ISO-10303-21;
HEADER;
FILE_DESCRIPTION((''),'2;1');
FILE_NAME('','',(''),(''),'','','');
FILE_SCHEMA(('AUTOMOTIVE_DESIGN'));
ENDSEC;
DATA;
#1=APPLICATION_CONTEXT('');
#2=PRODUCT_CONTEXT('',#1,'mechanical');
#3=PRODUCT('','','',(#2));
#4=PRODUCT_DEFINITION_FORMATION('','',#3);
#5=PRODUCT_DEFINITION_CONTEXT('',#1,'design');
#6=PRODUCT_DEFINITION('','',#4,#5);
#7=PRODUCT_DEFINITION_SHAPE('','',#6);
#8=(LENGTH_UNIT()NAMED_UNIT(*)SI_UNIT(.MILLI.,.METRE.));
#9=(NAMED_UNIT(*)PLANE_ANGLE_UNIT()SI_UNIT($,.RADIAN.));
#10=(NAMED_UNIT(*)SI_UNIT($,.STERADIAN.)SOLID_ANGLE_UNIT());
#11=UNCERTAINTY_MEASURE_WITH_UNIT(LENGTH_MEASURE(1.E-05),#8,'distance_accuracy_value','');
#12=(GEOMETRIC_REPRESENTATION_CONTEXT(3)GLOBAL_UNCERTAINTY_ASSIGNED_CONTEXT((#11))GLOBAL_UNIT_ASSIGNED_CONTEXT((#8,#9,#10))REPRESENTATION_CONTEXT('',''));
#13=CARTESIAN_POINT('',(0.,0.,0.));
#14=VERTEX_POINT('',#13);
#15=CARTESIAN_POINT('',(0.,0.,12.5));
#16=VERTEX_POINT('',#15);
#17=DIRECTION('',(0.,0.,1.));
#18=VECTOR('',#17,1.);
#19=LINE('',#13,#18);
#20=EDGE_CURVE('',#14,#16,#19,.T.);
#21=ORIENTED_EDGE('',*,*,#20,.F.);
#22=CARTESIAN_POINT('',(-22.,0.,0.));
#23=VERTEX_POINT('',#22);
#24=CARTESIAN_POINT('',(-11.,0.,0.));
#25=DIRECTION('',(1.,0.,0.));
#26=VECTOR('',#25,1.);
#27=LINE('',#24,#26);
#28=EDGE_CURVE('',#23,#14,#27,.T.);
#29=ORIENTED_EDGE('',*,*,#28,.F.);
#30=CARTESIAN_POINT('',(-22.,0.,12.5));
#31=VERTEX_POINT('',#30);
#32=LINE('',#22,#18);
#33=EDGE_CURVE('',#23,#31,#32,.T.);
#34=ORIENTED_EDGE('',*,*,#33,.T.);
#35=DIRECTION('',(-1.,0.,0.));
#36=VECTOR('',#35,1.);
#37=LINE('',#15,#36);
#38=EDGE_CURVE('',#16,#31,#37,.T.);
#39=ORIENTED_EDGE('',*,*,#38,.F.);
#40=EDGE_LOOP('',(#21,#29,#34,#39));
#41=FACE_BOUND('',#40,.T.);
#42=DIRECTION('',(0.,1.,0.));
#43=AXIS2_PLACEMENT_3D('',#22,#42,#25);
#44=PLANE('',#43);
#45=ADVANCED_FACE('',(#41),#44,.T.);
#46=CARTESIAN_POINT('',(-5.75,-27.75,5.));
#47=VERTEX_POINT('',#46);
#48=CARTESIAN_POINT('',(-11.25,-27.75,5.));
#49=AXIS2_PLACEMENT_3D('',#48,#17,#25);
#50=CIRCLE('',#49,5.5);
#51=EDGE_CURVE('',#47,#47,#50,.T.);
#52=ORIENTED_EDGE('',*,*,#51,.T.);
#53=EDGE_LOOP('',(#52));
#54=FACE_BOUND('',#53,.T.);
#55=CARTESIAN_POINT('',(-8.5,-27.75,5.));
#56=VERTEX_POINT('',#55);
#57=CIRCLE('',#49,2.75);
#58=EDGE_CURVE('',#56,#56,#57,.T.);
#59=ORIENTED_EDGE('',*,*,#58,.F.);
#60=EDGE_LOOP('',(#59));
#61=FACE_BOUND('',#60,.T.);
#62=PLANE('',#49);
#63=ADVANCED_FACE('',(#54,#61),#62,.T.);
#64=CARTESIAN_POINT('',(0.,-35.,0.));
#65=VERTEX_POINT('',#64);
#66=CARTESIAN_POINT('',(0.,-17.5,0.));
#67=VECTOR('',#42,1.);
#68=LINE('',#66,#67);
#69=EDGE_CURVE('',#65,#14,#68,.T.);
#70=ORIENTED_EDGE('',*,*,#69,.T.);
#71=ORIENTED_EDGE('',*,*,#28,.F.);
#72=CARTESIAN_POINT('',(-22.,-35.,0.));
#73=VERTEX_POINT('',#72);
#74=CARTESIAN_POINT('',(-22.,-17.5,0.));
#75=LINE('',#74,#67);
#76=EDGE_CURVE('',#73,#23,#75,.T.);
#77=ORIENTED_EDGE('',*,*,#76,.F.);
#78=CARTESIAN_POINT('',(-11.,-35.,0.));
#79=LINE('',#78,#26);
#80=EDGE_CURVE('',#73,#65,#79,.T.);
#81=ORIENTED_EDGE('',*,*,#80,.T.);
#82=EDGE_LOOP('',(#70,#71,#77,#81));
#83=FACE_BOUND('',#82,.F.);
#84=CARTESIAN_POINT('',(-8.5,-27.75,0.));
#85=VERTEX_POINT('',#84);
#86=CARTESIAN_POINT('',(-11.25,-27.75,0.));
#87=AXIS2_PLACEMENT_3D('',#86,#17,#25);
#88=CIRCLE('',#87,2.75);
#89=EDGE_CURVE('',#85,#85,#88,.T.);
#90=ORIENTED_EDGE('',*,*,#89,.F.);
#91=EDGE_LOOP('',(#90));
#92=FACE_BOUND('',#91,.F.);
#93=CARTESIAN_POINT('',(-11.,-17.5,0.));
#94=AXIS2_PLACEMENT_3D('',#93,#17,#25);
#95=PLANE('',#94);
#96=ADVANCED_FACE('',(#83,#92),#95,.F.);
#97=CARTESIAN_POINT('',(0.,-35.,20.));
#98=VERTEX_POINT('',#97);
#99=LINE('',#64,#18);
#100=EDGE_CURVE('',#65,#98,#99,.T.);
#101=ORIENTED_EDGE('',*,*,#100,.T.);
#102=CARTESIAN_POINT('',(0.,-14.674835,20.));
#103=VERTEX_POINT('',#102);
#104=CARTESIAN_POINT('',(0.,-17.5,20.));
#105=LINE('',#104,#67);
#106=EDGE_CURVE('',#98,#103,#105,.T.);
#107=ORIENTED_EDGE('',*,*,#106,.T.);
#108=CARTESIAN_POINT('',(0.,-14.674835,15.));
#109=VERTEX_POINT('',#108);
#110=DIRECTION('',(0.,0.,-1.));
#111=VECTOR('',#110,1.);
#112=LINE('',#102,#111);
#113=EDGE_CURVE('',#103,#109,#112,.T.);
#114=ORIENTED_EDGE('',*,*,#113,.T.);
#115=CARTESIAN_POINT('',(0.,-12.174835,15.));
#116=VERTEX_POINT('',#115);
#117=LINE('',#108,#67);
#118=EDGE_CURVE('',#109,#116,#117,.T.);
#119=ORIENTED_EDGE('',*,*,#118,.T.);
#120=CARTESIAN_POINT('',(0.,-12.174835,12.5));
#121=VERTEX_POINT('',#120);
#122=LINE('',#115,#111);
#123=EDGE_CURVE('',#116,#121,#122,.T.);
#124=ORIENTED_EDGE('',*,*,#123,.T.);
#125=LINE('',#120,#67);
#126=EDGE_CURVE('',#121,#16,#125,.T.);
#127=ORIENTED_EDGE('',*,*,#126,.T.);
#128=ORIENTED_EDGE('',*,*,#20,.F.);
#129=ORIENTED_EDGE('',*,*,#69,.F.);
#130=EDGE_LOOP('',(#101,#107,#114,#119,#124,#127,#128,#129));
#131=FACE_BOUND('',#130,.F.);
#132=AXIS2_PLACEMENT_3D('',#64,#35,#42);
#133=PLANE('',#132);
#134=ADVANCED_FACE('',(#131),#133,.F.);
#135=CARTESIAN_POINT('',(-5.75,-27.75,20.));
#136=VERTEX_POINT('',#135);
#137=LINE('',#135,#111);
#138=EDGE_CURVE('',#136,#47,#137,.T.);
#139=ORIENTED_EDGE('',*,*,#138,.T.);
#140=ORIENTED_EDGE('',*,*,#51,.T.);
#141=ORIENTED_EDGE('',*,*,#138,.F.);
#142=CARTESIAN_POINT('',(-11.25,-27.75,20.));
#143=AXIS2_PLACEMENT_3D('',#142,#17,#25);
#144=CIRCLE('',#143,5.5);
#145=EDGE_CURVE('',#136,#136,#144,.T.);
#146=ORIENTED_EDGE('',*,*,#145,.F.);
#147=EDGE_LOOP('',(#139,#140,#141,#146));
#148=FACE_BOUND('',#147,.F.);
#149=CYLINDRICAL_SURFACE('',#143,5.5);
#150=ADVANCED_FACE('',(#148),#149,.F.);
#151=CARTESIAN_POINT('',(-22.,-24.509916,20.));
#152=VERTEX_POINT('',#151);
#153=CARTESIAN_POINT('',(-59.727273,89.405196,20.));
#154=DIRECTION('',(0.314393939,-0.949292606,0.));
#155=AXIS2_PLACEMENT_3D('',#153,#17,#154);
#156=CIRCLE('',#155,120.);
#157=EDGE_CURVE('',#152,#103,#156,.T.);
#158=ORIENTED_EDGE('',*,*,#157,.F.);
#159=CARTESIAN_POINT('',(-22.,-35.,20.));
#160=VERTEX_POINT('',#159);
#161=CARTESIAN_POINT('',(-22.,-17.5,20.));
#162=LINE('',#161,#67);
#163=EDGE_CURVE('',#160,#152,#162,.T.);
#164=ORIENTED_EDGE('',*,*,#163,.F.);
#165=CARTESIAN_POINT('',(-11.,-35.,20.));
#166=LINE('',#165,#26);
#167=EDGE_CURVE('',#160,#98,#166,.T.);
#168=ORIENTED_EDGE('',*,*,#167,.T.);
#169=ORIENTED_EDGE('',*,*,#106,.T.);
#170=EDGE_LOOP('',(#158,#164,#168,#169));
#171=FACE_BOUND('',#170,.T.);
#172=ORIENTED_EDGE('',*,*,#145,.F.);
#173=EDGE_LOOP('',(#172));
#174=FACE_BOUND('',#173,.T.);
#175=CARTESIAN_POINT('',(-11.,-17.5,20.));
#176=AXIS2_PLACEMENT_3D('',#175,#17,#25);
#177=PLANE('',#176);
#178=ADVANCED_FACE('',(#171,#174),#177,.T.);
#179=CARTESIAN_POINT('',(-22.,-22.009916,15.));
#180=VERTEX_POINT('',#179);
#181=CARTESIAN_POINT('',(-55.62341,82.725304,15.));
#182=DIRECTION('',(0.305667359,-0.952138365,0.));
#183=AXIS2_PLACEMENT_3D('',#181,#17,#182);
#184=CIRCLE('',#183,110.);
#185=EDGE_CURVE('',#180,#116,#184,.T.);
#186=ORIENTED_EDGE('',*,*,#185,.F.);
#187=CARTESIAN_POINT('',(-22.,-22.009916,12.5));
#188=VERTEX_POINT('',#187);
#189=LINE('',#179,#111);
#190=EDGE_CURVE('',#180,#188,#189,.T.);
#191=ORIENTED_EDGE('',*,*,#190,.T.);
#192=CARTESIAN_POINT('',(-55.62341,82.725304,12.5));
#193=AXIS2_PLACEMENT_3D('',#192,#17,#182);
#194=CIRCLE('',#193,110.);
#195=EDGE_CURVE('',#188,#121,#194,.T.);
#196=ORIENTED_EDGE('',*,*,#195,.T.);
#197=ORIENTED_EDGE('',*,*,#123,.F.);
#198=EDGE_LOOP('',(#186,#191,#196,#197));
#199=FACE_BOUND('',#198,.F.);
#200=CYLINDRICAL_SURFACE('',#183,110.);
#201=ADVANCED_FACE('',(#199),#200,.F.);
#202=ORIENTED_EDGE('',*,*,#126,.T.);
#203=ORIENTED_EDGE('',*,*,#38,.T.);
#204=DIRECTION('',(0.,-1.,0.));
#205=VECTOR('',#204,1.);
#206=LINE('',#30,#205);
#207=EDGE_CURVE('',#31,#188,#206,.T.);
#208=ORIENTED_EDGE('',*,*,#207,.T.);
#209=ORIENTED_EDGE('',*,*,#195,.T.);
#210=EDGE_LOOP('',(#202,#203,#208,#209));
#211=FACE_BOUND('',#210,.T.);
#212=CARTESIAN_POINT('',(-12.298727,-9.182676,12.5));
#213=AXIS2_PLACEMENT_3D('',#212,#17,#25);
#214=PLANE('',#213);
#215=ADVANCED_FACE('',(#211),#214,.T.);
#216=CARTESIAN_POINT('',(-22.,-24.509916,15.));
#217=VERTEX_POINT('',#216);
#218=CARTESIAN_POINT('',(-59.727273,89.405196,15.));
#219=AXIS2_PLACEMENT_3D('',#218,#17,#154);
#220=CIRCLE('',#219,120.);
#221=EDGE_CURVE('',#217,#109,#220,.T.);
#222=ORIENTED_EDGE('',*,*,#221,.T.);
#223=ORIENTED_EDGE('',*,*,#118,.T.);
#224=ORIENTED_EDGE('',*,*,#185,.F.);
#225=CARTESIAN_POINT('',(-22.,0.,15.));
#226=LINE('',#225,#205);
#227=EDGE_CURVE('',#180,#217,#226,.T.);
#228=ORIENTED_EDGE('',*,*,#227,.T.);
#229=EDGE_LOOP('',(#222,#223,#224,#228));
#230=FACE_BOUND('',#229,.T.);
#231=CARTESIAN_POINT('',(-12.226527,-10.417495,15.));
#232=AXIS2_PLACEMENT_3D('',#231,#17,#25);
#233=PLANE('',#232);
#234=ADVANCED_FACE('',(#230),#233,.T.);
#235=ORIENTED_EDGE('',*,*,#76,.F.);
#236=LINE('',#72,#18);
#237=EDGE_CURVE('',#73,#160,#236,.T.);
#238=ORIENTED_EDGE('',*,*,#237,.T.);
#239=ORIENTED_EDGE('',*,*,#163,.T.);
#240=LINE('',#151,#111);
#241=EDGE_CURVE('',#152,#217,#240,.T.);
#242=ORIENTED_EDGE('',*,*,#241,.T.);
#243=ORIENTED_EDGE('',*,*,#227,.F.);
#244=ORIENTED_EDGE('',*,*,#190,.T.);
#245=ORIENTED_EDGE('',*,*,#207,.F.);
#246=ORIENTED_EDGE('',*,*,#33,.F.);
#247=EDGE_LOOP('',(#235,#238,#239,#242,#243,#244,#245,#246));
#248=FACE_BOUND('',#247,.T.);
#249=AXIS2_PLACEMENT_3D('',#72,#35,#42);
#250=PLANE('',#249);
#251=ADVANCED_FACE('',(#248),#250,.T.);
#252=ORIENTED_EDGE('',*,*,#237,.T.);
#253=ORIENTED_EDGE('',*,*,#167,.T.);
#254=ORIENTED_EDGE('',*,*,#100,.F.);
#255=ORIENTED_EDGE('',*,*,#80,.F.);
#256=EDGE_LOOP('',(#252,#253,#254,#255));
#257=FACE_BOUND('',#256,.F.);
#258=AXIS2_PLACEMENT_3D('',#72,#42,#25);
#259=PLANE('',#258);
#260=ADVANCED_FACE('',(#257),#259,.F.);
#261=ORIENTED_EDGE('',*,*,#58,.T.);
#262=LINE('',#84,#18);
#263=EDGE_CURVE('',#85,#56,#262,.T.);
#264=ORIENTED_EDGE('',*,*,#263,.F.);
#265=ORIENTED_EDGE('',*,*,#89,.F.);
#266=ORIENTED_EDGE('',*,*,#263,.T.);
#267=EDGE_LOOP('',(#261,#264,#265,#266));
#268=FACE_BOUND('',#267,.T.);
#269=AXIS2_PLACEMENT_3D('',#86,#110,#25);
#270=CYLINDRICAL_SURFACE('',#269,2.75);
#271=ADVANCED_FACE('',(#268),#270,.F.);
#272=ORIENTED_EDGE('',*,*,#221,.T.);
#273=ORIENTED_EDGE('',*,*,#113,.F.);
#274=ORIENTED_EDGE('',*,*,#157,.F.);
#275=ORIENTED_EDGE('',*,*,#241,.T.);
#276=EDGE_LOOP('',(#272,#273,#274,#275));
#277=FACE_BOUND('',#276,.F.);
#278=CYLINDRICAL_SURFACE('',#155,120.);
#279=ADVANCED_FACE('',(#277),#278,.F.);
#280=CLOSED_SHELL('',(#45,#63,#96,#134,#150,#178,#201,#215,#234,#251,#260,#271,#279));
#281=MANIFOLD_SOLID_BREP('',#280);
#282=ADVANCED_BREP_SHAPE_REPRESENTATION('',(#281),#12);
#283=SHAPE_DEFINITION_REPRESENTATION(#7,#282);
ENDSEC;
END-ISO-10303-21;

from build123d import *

# Parameters (mm, degrees)
F0_W     = 22
F0_H     = 35
F0_R     = 2.75
F1_DEPTH = 20
F2_R     = 5.5
F2_R_2   = 2.75
F3_DEPTH = 15
F5_DEPTH = 5
F7_DEPTH = 2.5


with BuildPart() as f1:
    # F0 (on Top) → F1 (new body)
    with BuildSketch(Plane.XY):
        with Locations((-11, -17.5)):
            Rectangle(F0_W, F0_H)
        with Locations((-11.25, -27.75)):
            Circle(F0_R, mode=Mode.SUBTRACT)
    extrude(amount=F1_DEPTH)

    # F2 (on face) → F3 (cut)
    with BuildSketch(Plane.XY.offset(20)):
        with Locations((-11.25, -27.75)):
            Circle(F2_R)
        with Locations((-11.25, -27.75)):
            Circle(F2_R_2, mode=Mode.SUBTRACT)
    extrude(amount=-F3_DEPTH, mode=Mode.SUBTRACT)

    # F4 (on face) → F5 (cut)
    with BuildSketch(Plane.XY.offset(20)):
        with BuildLine():
            Line((0, 0), (-22, 0))
            Line((-22, 0), (-22, -24.509916256))
            ThreePointArc((-22, -24.509916256), (-10.7524902947, -20.1460276214), (0, -14.6748347853))
            Line((0, -14.6748347853), (0, 0))
        make_face()
    extrude(amount=-F5_DEPTH, mode=Mode.SUBTRACT)

    # F6 (on face) → F7 (cut)
    with BuildSketch(Plane.XY.offset(15)):
        with BuildLine():
            Line((0, 0), (-22, 0))
            Line((-22, 0), (-22, -22.009916256))
            ThreePointArc((-22, -22.009916256), (-10.7298589355, -17.696651493), (0, -12.1748347853))
            Line((0, -12.1748347853), (0, 0))
        make_face()
    extrude(amount=-F7_DEPTH, mode=Mode.SUBTRACT)


solid = f1.part
